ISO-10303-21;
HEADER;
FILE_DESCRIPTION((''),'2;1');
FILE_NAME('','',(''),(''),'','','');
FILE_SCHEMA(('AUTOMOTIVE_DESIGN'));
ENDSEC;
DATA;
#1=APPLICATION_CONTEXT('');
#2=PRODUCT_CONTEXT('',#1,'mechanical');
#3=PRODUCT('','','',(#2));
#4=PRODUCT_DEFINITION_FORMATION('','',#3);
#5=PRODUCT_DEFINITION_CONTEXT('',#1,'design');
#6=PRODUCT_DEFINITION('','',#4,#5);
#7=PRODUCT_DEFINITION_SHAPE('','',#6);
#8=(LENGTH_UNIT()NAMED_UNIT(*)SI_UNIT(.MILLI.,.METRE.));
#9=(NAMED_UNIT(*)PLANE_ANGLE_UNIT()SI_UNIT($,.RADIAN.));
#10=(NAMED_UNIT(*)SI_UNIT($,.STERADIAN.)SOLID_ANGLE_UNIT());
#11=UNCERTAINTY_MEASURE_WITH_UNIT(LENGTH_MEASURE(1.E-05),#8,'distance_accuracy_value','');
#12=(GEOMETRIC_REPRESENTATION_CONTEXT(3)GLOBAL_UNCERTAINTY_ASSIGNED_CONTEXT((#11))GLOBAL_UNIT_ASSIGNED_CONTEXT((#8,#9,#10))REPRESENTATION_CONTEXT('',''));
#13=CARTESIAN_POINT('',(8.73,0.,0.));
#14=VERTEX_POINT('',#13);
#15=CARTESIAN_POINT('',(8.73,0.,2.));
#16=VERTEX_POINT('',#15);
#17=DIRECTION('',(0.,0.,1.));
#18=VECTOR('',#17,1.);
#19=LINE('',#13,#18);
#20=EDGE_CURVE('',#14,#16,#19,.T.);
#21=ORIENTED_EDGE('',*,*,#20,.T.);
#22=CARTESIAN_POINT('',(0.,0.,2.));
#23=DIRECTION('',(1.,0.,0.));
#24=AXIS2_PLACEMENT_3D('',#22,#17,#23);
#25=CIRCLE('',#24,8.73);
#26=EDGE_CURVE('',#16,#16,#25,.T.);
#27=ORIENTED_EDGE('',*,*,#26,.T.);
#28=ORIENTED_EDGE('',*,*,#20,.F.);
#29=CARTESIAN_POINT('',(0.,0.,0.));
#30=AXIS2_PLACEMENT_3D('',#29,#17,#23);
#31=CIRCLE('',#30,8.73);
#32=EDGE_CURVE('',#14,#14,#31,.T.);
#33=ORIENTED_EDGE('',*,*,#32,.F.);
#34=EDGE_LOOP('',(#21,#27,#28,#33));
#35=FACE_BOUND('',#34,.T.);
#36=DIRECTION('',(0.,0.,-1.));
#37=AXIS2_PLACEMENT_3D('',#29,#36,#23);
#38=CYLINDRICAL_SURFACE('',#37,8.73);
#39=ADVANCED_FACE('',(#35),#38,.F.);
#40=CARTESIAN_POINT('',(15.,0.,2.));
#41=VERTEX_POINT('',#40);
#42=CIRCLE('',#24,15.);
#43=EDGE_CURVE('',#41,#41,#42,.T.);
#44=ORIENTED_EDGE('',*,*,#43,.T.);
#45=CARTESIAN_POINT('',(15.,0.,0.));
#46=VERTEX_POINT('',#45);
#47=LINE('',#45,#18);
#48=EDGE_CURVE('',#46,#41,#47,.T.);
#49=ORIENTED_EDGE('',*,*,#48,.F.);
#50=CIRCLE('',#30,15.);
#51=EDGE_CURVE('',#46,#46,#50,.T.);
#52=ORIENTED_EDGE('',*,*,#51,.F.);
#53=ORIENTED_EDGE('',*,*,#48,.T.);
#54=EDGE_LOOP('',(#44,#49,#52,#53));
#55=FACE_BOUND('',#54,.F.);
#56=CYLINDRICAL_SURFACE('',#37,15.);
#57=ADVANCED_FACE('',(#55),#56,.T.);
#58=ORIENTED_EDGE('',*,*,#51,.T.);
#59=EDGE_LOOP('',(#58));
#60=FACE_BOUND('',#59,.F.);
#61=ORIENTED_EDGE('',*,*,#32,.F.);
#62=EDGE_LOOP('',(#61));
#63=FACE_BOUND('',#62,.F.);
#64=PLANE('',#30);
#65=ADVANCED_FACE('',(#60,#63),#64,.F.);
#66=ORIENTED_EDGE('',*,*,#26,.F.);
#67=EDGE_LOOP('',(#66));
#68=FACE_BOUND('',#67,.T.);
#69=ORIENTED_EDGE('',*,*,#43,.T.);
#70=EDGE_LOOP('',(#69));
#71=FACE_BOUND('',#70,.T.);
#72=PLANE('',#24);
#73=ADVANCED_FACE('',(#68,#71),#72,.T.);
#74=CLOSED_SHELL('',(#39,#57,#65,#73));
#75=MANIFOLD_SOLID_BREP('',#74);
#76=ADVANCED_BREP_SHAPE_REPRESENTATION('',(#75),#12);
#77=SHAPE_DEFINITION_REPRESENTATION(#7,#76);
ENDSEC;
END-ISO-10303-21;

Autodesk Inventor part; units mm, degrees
ref_plane "YZ Plane" through (0, 0, 0) normal (1, 0, 0) x (0, 1, 0)
ref_plane "XZ Plane" through (0, 0, 0) normal (0, 1, 0) x (-1, 0, 0)
ref_plane "XY Plane" through (0, 0, 0) normal (0, 0, 1) x (1, 0, 0)
sketch "Boceto1" plane through (0, 0, 0) normal (0, 0, 1) x (1, 0, 0)
  circle A0 centre (0, 0) radius 8.73
  circle A1 centre (0, 0) radius 15
  dimension "d0" = 17.46
  dimension "d1" = 30
extrude "Extrusión1" add sketch "Boceto1" along normal blind 2
properties part number "Pasador_soporte"
